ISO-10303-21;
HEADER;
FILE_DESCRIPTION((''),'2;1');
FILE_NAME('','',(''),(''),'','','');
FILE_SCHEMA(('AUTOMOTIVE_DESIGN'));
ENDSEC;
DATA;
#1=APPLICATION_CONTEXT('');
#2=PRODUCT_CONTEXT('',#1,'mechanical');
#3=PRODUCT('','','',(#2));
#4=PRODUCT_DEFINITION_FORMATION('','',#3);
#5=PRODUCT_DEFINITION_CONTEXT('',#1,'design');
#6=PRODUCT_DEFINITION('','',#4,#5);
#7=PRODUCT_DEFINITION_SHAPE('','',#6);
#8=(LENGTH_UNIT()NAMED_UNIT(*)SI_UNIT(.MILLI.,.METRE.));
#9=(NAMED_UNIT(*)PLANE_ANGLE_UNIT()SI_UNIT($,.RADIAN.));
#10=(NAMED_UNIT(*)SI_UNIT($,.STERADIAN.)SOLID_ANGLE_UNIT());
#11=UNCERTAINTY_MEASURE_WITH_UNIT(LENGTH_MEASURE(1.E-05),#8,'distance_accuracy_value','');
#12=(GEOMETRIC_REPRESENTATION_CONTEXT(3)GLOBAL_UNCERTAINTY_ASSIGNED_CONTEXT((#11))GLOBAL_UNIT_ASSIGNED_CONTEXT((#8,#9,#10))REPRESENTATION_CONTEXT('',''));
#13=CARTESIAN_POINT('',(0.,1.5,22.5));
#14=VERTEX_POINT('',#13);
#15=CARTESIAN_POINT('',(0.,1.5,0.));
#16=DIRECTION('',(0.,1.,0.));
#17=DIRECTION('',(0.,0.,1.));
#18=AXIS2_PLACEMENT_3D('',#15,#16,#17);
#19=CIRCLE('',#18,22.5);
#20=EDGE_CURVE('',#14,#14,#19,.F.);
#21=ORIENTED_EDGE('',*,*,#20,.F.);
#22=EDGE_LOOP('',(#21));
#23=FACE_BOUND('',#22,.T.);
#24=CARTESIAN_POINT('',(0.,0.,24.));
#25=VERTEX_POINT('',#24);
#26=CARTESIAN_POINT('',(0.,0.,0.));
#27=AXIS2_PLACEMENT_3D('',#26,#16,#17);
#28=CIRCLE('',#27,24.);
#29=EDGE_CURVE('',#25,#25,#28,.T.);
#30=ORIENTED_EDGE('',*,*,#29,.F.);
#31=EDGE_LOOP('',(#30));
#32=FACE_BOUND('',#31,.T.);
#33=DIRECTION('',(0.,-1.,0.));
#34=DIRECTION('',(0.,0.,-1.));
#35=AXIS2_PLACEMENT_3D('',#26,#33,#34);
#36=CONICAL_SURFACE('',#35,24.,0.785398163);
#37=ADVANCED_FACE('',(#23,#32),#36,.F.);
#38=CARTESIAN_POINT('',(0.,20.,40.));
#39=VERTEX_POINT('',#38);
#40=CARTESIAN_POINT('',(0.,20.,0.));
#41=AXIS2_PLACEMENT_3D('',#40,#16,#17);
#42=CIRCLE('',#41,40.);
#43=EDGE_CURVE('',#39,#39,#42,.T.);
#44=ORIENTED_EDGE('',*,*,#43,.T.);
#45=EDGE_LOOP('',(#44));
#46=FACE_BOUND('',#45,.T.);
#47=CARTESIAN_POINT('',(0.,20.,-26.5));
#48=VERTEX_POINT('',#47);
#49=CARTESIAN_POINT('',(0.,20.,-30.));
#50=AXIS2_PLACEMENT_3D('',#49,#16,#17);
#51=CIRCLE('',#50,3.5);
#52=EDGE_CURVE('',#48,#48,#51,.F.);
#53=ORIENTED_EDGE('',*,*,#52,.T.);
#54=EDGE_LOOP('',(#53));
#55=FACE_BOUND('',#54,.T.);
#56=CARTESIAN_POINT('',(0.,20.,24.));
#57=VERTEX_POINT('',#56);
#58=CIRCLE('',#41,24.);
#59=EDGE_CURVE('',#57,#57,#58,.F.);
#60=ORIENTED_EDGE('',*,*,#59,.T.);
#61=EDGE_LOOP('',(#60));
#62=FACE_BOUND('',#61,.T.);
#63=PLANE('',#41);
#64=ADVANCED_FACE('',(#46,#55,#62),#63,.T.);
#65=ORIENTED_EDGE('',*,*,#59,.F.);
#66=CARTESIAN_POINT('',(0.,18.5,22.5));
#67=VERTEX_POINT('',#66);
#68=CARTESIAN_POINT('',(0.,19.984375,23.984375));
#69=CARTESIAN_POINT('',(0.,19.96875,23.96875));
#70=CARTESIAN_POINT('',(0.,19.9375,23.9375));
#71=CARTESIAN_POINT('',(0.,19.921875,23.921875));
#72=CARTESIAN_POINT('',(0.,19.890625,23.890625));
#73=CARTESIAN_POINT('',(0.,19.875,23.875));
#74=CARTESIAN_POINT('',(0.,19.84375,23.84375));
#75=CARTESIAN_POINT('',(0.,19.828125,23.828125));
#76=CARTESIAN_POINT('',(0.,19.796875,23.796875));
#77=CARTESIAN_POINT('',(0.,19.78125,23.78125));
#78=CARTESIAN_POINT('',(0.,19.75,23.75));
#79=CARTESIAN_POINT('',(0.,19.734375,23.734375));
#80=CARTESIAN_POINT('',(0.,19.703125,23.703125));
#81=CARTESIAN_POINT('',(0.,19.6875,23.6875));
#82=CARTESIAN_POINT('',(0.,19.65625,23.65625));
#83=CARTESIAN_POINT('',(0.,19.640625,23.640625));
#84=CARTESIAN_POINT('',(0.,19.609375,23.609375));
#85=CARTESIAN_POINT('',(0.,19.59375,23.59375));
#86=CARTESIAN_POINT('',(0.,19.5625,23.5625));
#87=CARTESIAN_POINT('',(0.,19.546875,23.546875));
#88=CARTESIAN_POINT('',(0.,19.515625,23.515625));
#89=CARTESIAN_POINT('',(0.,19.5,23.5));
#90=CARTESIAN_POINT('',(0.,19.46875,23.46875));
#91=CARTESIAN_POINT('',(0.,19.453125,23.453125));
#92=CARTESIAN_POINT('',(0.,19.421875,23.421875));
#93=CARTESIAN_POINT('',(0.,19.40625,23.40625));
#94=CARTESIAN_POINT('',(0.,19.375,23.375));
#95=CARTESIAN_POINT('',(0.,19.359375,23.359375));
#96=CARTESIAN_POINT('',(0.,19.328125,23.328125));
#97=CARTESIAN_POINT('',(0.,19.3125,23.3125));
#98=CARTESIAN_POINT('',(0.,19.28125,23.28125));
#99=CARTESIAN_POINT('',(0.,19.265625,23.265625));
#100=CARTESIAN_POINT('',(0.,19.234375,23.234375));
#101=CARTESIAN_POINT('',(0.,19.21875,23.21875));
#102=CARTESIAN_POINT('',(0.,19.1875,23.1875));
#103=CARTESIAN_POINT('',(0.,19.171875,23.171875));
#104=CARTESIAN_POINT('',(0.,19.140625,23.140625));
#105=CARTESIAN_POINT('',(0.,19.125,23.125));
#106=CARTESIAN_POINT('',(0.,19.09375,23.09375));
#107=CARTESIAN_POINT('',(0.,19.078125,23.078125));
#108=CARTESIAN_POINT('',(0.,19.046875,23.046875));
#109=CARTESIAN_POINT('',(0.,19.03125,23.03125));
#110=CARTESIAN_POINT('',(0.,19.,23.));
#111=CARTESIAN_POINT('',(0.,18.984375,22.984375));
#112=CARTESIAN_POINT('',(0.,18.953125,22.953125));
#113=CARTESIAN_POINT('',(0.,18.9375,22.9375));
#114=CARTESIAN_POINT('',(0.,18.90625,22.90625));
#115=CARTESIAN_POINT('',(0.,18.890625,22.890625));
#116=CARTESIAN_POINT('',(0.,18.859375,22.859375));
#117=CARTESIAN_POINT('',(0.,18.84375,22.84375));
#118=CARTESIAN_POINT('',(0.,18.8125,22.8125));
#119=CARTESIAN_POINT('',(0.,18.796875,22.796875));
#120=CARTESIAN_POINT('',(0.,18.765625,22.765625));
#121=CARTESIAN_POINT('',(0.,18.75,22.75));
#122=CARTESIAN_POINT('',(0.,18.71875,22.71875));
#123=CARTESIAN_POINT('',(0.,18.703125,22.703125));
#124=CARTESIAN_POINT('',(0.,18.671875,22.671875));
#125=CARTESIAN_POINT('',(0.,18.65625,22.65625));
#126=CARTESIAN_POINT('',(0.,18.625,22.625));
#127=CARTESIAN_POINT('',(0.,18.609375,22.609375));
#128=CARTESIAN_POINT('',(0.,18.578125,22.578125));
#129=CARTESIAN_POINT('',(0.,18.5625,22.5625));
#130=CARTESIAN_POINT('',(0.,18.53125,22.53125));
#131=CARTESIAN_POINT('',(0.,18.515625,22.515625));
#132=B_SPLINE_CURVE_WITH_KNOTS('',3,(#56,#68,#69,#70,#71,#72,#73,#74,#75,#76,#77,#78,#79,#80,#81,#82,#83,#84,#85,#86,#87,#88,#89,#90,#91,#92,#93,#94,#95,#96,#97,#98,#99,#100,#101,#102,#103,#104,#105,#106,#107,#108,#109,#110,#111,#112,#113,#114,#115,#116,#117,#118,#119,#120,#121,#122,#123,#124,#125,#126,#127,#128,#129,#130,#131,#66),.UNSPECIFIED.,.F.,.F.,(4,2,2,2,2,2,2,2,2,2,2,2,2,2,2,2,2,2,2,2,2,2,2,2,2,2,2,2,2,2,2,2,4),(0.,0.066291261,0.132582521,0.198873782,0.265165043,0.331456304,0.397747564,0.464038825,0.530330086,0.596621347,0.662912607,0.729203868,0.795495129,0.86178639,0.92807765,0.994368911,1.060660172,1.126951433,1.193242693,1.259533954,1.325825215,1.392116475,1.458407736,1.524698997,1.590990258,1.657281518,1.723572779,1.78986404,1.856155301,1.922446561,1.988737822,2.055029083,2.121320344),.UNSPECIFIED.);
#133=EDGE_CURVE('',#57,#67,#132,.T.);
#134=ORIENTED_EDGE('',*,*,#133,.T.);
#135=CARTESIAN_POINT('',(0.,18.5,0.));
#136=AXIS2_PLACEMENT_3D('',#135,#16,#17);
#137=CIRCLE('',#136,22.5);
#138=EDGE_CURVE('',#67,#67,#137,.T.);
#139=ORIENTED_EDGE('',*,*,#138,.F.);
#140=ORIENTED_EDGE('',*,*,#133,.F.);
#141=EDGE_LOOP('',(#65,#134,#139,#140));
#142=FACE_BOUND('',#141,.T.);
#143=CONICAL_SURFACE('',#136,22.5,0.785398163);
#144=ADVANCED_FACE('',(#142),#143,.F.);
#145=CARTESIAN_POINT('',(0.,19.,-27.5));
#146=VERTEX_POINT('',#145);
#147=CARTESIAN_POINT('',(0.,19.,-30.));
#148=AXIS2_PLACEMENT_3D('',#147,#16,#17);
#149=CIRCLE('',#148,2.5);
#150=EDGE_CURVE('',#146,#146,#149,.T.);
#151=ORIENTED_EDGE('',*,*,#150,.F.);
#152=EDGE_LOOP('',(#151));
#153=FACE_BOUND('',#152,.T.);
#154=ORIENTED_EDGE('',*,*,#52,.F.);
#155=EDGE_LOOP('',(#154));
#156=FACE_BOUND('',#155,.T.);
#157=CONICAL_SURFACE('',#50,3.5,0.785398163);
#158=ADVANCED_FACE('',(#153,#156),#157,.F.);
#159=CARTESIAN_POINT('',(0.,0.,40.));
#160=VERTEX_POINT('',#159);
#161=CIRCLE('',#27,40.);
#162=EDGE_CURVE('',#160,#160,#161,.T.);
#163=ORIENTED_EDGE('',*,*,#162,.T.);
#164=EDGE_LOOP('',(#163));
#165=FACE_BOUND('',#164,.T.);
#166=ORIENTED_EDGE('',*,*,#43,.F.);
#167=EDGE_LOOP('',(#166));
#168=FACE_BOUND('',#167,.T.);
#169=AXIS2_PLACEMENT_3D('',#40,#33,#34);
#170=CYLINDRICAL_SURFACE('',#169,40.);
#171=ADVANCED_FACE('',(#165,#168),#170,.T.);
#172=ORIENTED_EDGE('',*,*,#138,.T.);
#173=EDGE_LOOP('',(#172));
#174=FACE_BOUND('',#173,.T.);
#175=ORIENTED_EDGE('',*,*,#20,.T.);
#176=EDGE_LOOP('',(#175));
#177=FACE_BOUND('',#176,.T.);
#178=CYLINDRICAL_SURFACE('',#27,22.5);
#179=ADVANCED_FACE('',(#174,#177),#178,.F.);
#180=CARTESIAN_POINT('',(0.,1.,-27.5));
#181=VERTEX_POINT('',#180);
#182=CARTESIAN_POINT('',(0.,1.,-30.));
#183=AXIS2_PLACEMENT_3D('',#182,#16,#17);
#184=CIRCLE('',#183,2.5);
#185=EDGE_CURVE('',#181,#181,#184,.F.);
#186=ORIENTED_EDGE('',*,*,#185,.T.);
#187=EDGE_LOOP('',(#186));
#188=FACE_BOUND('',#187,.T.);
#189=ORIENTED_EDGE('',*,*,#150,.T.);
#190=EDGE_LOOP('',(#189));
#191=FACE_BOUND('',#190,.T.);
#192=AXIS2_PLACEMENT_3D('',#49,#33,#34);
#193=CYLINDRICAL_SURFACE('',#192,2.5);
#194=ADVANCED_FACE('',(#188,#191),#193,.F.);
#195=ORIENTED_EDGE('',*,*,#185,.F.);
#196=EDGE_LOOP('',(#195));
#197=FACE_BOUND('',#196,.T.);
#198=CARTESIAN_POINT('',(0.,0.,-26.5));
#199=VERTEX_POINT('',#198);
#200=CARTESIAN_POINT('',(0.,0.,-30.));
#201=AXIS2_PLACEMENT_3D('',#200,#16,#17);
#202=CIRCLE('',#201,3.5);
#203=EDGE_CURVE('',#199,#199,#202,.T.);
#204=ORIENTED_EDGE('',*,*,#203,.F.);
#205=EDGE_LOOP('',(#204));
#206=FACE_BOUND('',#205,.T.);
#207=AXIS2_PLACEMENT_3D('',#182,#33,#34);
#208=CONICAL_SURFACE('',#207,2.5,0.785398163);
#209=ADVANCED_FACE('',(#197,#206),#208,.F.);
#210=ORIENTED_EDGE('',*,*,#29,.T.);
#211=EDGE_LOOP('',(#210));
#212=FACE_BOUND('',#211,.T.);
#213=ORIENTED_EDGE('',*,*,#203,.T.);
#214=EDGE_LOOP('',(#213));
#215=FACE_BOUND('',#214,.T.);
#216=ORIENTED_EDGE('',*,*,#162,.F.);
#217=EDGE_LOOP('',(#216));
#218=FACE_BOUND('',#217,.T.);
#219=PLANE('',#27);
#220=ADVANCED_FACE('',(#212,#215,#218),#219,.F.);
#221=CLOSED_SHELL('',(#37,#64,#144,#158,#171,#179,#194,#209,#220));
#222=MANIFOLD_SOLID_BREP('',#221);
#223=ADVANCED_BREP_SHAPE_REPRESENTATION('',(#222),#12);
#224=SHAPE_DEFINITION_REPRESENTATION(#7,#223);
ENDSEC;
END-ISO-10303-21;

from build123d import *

# Parameters (mm, degrees)
SKETCH_1_R            = 40
EXTRUDE_1_DEPTH       = 20
SKETCH_2_R            = 22.5
CUT_EXTRUDE_1_DEPTH   = 61
CHAMFER_1_SIZE        = 1.5
SKETCH_3_R            = 2.5
CUT_EXTRUDE_597_DEPTH = 61
CHAMFER_2_SIZE        = 1


with BuildPart() as part:
    # Эскиз1 → Бобышка-Вытянуть1 (new body)
    with BuildSketch(Plane(origin=(0, 0, 0), x_dir=(1, 0, 0), z_dir=(0, 1, 0))):
        with Locations(Location((0, 0, 0), (0, 0, 270))):
            Circle(SKETCH_1_R)
    extrude(amount=EXTRUDE_1_DEPTH)

    # Эскиз2 → Вырез-Вытянуть1 (cut, through all)
    with BuildSketch(Plane(origin=(0, 20, 0), x_dir=(1, 0, 0), z_dir=(0, 1, 0))):
        with Locations(Location((0, 0, 0), (0, 0, 270))):
            Circle(SKETCH_2_R)
    extrude(amount=-CUT_EXTRUDE_1_DEPTH, mode=Mode.SUBTRACT)

    # Фаска1
    chamfer_1_edges = [part.edges().sort_by_distance(p)[0] for p in [
        (0, 0, -22.5),
        (0, 20, -22.5),
    ]]
    chamfer(chamfer_1_edges, length=CHAMFER_1_SIZE)

    # Эскиз3 → Cut-Extrude 597 (cut, through all)
    with BuildSketch(Plane.XZ):
        with Locations(Location((0, -30, 0), (0, 0, 270))):
            Circle(SKETCH_3_R)
    extrude(amount=-CUT_EXTRUDE_597_DEPTH, mode=Mode.SUBTRACT)

    # Фаска2
    chamfer_2_edges = [part.edges().sort_by_distance(p)[0] for p in [
        (0, 20, -27.5),
        (0, 0, -27.5),
    ]]
    chamfer(chamfer_2_edges, length=CHAMFER_2_SIZE)


solid = part.part
